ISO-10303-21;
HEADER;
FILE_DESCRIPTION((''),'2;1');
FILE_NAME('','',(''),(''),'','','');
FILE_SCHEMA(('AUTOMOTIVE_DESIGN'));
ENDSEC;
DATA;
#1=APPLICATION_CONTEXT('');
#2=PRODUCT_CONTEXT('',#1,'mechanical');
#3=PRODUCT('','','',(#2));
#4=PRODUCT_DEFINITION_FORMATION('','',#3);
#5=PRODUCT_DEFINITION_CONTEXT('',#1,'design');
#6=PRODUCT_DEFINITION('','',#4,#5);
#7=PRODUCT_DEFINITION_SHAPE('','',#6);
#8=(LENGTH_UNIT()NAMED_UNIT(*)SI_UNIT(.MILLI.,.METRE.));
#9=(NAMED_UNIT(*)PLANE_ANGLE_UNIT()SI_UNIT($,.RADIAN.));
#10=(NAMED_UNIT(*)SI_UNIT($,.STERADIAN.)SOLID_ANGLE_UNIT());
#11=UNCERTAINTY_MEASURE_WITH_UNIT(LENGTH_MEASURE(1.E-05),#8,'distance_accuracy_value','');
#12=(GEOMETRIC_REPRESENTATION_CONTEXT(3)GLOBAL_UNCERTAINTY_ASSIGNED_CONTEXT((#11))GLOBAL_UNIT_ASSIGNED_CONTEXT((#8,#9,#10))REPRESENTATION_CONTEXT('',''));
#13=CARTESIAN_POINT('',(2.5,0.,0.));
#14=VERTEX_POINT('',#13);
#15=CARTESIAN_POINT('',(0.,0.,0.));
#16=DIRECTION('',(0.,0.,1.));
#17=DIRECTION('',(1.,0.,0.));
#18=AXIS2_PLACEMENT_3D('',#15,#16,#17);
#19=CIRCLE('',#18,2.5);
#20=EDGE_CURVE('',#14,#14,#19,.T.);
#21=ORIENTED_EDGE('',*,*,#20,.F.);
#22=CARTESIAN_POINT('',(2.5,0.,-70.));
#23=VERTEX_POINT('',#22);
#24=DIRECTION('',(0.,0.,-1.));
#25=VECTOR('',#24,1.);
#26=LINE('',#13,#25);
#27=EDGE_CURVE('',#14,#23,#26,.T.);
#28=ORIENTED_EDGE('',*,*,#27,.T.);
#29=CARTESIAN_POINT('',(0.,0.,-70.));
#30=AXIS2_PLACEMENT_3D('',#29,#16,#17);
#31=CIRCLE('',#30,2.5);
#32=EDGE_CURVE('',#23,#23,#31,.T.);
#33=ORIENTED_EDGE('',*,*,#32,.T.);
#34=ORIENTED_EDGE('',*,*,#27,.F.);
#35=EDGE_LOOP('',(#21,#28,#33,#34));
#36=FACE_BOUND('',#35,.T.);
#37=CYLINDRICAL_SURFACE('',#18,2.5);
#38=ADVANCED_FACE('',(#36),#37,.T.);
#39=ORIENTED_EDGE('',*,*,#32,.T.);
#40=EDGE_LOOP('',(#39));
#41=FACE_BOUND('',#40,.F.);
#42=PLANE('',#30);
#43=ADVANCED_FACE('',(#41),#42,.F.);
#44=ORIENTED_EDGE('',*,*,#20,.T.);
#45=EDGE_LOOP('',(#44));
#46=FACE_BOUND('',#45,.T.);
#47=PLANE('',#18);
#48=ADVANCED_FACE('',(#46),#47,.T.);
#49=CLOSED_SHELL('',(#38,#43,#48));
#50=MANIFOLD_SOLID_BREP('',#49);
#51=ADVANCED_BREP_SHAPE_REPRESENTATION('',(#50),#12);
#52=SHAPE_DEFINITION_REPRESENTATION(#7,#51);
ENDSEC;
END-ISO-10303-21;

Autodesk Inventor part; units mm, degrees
ref_plane "YZ Plane" through (0, 0, 0) normal (1, 0, 0) x (0, 1, 0)
ref_plane "XZ Plane" through (0, 0, 0) normal (0, 1, 0) x (-1, 0, 0)
ref_plane "XY Plane" through (0, 0, 0) normal (0, 0, 1) x (1, 0, 0)
sketch "Sketch1" plane through (0, 0, 0) normal (0, 0, 1) x (1, 0, 0)
  circle A0 centre (0, 0) radius 2.5
  dimension "d0" = 5
extrude "Extrusion1" add sketch "Sketch1" against normal blind 70
properties part number "Medium rod"
